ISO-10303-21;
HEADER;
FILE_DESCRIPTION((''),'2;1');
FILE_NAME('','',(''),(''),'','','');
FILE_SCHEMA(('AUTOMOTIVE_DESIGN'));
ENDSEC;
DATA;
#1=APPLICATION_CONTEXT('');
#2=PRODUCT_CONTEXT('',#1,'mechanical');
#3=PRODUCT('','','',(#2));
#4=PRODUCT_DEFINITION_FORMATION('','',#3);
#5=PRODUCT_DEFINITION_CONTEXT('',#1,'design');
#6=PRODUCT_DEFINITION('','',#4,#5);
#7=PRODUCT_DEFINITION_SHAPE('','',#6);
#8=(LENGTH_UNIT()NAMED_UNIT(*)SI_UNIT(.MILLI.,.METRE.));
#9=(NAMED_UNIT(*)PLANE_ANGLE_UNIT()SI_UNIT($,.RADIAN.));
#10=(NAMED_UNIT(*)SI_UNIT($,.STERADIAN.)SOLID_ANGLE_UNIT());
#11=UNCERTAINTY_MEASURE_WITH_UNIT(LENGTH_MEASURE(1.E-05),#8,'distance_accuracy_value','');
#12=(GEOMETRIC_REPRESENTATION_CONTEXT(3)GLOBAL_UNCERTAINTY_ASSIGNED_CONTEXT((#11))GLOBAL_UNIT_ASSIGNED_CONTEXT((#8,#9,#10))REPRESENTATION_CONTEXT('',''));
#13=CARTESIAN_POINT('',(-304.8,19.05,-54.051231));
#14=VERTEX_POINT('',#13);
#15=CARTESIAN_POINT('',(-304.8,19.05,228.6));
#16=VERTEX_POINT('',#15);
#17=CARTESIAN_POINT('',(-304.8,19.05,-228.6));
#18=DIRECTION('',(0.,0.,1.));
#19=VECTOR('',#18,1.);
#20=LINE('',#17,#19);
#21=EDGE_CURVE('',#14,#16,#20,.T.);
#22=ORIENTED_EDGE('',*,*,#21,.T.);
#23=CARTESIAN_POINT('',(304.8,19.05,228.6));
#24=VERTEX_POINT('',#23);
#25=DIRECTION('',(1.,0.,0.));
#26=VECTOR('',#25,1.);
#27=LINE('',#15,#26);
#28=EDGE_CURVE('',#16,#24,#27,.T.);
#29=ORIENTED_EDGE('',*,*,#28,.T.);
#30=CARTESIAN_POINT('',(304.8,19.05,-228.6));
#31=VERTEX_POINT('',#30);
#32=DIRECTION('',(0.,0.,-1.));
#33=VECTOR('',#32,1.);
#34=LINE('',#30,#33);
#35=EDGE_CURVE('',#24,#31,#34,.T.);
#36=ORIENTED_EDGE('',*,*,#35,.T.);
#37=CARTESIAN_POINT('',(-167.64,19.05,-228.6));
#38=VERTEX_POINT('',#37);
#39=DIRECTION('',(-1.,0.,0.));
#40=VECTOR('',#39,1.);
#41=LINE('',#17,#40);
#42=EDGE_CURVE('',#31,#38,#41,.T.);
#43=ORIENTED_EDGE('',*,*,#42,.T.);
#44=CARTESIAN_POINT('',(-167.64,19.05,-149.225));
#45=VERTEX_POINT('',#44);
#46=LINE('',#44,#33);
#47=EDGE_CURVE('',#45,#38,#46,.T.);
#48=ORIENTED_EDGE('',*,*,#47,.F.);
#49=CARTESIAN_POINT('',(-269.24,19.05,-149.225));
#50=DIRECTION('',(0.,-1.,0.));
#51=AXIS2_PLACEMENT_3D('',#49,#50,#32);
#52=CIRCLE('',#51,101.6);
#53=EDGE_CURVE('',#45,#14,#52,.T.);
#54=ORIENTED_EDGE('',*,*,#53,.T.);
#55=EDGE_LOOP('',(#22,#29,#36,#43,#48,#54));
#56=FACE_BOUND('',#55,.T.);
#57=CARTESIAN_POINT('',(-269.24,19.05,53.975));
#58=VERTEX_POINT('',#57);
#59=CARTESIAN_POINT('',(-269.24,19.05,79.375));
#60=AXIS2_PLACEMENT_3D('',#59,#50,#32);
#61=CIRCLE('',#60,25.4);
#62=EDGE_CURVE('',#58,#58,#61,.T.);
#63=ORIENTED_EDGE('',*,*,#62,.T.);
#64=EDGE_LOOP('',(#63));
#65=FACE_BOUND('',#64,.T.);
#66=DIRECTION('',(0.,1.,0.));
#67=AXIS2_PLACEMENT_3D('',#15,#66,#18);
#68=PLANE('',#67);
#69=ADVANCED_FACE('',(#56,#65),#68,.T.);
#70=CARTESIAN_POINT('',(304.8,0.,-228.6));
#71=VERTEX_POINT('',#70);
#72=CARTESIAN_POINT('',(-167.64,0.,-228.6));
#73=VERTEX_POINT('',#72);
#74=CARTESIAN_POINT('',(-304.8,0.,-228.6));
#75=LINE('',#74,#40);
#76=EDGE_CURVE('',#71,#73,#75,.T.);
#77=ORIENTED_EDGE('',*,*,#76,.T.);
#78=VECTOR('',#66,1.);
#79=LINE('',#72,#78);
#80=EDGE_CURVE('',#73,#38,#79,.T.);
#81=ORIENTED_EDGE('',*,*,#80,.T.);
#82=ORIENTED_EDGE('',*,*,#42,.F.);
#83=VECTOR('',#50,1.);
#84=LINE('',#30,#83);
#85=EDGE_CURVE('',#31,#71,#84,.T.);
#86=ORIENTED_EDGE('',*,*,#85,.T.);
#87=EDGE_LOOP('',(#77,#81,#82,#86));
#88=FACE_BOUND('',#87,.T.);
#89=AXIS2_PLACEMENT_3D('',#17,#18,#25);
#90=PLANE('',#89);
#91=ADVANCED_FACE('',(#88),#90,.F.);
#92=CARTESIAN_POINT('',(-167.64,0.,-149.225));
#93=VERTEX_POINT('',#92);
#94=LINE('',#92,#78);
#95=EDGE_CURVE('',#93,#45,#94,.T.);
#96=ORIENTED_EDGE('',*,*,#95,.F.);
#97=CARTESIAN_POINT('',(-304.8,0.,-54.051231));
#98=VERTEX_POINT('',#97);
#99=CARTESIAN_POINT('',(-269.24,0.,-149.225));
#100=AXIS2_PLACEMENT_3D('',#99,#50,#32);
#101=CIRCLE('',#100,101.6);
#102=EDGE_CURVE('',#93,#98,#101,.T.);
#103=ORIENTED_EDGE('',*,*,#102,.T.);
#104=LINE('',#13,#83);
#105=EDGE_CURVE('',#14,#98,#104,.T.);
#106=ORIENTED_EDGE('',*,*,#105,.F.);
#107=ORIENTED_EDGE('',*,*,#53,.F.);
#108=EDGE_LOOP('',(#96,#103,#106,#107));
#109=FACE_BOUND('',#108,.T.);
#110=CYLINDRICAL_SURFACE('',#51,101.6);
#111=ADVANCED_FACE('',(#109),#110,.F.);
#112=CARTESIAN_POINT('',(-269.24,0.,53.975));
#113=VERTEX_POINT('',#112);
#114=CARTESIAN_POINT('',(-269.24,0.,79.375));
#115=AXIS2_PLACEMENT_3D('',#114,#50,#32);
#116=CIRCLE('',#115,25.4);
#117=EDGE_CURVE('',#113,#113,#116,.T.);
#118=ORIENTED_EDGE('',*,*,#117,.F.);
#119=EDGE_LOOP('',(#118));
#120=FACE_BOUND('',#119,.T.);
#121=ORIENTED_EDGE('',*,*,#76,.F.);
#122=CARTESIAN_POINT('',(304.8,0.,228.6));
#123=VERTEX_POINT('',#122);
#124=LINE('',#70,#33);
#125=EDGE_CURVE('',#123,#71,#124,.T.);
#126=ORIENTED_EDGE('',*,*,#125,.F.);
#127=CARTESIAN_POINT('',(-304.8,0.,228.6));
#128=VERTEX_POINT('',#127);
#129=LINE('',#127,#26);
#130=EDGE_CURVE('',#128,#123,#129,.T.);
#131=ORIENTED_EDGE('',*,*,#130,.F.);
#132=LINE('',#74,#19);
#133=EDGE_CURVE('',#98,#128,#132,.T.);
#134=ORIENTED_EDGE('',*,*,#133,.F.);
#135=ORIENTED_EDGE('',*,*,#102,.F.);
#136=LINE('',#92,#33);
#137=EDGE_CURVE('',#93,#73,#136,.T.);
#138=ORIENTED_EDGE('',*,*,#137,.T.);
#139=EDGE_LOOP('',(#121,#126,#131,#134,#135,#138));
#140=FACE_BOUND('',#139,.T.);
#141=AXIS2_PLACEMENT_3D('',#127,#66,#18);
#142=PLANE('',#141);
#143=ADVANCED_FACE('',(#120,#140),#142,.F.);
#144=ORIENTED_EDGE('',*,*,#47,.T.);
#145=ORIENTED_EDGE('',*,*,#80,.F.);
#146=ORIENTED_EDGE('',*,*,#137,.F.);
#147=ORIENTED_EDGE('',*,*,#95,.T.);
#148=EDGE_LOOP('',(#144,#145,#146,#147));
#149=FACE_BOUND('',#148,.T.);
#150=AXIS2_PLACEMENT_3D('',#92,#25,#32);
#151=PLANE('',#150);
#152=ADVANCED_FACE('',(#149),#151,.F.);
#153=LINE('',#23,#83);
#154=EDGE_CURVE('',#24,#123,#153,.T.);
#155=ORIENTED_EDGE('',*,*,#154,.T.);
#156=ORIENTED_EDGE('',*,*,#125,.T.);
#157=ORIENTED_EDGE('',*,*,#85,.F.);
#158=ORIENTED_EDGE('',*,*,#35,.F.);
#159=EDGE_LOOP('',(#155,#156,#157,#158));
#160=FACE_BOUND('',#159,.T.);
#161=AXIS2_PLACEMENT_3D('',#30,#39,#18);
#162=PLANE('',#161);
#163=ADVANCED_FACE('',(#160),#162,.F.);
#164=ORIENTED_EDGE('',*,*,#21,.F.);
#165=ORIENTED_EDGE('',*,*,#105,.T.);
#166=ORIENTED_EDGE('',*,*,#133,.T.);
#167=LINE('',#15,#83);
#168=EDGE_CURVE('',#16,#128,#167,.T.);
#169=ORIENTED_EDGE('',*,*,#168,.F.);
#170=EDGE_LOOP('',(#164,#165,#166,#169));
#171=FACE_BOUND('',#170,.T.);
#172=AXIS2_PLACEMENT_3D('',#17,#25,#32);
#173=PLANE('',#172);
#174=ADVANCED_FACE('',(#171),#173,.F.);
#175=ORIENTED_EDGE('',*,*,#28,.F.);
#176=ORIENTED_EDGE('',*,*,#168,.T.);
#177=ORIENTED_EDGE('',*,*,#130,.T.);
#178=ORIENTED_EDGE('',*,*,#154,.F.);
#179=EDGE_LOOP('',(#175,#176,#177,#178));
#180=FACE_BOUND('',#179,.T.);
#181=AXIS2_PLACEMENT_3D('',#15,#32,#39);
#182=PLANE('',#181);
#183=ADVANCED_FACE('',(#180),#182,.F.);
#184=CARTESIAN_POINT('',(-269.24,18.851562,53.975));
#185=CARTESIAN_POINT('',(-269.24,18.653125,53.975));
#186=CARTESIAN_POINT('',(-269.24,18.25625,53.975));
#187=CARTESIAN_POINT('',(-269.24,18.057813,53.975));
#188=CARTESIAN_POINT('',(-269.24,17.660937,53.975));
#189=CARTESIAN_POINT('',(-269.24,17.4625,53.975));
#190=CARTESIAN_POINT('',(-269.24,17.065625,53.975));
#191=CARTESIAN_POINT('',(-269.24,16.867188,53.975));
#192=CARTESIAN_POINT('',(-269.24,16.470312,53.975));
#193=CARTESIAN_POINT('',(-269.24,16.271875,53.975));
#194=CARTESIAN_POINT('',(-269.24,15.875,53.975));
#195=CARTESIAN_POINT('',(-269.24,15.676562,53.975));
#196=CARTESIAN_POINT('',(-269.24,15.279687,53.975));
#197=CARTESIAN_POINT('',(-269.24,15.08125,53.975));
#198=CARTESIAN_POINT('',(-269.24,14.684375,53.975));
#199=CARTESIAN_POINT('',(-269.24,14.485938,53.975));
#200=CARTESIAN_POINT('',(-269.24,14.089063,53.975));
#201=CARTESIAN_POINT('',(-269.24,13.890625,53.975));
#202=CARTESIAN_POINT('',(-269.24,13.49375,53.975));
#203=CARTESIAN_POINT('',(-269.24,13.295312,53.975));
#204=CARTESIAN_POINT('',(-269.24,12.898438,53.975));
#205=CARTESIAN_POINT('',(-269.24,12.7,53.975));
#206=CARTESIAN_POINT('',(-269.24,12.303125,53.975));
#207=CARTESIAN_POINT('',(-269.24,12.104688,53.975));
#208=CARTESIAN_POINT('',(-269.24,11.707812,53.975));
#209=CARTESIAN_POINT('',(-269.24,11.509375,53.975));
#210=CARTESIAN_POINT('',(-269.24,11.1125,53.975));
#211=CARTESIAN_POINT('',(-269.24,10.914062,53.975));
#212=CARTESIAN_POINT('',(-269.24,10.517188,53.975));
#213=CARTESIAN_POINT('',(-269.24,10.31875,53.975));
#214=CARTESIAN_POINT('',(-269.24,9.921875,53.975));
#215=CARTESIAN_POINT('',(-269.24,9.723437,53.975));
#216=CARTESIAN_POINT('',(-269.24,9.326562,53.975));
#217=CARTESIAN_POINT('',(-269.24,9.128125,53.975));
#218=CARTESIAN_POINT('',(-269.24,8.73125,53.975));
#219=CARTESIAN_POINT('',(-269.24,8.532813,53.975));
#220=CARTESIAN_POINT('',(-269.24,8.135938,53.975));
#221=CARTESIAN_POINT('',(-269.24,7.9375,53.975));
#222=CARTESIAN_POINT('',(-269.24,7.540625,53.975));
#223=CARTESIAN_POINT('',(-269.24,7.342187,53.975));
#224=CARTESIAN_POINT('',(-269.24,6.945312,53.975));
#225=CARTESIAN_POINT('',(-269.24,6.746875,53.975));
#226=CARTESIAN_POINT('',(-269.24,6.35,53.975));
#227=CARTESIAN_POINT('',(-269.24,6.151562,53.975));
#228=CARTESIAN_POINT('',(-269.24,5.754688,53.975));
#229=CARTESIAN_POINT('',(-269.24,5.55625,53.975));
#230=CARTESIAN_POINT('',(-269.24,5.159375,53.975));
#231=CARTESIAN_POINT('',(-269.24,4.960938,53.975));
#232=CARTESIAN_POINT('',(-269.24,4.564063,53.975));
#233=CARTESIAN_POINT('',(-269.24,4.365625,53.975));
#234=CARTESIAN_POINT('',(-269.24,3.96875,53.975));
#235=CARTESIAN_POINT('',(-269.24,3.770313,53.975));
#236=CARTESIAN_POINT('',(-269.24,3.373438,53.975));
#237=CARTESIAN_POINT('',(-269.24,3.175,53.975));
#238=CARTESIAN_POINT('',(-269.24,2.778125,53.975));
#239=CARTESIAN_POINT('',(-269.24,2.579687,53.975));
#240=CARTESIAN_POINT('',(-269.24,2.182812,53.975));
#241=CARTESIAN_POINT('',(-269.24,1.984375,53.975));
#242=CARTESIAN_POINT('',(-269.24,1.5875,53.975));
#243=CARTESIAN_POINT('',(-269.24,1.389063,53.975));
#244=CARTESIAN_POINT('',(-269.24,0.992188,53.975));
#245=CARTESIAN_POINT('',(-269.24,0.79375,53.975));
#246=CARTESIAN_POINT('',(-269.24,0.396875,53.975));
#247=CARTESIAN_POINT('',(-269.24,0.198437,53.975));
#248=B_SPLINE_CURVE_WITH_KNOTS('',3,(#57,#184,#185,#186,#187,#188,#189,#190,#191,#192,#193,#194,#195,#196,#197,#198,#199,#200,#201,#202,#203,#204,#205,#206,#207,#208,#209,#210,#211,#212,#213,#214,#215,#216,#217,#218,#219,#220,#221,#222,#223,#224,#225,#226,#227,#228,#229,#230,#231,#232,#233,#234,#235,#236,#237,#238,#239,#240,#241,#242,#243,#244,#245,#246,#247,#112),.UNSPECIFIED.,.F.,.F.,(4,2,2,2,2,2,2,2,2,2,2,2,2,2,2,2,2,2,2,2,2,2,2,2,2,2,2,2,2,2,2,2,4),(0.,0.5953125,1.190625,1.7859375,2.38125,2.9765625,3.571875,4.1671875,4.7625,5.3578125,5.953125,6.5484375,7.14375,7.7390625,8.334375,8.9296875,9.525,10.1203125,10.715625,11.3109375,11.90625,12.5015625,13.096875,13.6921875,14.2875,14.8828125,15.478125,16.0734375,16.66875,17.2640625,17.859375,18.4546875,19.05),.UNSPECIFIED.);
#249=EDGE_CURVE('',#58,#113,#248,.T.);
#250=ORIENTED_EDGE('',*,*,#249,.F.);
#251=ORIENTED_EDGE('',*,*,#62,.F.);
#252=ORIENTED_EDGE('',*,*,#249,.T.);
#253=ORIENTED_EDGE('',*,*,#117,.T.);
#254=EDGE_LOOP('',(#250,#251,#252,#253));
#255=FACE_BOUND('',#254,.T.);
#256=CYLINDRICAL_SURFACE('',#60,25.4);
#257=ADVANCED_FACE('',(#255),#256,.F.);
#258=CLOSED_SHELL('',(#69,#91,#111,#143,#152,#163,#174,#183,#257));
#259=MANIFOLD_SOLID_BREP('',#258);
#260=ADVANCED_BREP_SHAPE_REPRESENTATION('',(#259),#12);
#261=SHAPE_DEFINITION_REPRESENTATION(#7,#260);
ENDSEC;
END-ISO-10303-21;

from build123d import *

# Parameters (mm, degrees)
SKETCH1_W           = 609.6
SKETCH1_H           = 457.2
BOSS_EXTRUDE1_DEPTH = 19.05
SKETCH2_R           = 25.4
CUT_EXTRUDE1_DEPTH  = 382.475952715
SKETCH4_R           = 101.6
CUT_EXTRUDE2_DEPTH  = 382.475952715
SKETCH6_W           = 137.16
SKETCH6_H           = 79.375
CUT_EXTRUDE3_DEPTH  = 382.475952715


with BuildPart() as part:
    # Sketch1 → Boss-Extrude1 (new body)
    with BuildSketch(Plane(origin=(0, 0, 0), x_dir=(1, 0, 0), z_dir=(0, 1, 0))):
        Rectangle(SKETCH1_W, SKETCH1_H)
    extrude(amount=BOSS_EXTRUDE1_DEPTH)

    # Sketch2 → Cut-Extrude1 (cut, through all)
    with BuildSketch(Plane.XZ):
        with Locations(Location((-269.24, 79.375, 0), (0, 0, 270))):
            Circle(SKETCH2_R)
    extrude(amount=-CUT_EXTRUDE1_DEPTH, mode=Mode.SUBTRACT)

    # Sketch4 → Cut-Extrude2 (cut, through all)
    with BuildSketch(Plane.XZ):
        with Locations((-269.24, -149.225)):
            Circle(SKETCH4_R)
    extrude(amount=-CUT_EXTRUDE2_DEPTH, mode=Mode.SUBTRACT)

    # Sketch6 → Cut-Extrude3 (cut, through all)
    with BuildSketch(Plane(origin=(0, 19.05, 0), x_dir=(1, 0, 0), z_dir=(0, 1, 0))):
        with Locations((-236.22, 188.9125)):
            Rectangle(SKETCH6_W, SKETCH6_H)
    extrude(amount=-CUT_EXTRUDE3_DEPTH, mode=Mode.SUBTRACT)


solid = part.part
